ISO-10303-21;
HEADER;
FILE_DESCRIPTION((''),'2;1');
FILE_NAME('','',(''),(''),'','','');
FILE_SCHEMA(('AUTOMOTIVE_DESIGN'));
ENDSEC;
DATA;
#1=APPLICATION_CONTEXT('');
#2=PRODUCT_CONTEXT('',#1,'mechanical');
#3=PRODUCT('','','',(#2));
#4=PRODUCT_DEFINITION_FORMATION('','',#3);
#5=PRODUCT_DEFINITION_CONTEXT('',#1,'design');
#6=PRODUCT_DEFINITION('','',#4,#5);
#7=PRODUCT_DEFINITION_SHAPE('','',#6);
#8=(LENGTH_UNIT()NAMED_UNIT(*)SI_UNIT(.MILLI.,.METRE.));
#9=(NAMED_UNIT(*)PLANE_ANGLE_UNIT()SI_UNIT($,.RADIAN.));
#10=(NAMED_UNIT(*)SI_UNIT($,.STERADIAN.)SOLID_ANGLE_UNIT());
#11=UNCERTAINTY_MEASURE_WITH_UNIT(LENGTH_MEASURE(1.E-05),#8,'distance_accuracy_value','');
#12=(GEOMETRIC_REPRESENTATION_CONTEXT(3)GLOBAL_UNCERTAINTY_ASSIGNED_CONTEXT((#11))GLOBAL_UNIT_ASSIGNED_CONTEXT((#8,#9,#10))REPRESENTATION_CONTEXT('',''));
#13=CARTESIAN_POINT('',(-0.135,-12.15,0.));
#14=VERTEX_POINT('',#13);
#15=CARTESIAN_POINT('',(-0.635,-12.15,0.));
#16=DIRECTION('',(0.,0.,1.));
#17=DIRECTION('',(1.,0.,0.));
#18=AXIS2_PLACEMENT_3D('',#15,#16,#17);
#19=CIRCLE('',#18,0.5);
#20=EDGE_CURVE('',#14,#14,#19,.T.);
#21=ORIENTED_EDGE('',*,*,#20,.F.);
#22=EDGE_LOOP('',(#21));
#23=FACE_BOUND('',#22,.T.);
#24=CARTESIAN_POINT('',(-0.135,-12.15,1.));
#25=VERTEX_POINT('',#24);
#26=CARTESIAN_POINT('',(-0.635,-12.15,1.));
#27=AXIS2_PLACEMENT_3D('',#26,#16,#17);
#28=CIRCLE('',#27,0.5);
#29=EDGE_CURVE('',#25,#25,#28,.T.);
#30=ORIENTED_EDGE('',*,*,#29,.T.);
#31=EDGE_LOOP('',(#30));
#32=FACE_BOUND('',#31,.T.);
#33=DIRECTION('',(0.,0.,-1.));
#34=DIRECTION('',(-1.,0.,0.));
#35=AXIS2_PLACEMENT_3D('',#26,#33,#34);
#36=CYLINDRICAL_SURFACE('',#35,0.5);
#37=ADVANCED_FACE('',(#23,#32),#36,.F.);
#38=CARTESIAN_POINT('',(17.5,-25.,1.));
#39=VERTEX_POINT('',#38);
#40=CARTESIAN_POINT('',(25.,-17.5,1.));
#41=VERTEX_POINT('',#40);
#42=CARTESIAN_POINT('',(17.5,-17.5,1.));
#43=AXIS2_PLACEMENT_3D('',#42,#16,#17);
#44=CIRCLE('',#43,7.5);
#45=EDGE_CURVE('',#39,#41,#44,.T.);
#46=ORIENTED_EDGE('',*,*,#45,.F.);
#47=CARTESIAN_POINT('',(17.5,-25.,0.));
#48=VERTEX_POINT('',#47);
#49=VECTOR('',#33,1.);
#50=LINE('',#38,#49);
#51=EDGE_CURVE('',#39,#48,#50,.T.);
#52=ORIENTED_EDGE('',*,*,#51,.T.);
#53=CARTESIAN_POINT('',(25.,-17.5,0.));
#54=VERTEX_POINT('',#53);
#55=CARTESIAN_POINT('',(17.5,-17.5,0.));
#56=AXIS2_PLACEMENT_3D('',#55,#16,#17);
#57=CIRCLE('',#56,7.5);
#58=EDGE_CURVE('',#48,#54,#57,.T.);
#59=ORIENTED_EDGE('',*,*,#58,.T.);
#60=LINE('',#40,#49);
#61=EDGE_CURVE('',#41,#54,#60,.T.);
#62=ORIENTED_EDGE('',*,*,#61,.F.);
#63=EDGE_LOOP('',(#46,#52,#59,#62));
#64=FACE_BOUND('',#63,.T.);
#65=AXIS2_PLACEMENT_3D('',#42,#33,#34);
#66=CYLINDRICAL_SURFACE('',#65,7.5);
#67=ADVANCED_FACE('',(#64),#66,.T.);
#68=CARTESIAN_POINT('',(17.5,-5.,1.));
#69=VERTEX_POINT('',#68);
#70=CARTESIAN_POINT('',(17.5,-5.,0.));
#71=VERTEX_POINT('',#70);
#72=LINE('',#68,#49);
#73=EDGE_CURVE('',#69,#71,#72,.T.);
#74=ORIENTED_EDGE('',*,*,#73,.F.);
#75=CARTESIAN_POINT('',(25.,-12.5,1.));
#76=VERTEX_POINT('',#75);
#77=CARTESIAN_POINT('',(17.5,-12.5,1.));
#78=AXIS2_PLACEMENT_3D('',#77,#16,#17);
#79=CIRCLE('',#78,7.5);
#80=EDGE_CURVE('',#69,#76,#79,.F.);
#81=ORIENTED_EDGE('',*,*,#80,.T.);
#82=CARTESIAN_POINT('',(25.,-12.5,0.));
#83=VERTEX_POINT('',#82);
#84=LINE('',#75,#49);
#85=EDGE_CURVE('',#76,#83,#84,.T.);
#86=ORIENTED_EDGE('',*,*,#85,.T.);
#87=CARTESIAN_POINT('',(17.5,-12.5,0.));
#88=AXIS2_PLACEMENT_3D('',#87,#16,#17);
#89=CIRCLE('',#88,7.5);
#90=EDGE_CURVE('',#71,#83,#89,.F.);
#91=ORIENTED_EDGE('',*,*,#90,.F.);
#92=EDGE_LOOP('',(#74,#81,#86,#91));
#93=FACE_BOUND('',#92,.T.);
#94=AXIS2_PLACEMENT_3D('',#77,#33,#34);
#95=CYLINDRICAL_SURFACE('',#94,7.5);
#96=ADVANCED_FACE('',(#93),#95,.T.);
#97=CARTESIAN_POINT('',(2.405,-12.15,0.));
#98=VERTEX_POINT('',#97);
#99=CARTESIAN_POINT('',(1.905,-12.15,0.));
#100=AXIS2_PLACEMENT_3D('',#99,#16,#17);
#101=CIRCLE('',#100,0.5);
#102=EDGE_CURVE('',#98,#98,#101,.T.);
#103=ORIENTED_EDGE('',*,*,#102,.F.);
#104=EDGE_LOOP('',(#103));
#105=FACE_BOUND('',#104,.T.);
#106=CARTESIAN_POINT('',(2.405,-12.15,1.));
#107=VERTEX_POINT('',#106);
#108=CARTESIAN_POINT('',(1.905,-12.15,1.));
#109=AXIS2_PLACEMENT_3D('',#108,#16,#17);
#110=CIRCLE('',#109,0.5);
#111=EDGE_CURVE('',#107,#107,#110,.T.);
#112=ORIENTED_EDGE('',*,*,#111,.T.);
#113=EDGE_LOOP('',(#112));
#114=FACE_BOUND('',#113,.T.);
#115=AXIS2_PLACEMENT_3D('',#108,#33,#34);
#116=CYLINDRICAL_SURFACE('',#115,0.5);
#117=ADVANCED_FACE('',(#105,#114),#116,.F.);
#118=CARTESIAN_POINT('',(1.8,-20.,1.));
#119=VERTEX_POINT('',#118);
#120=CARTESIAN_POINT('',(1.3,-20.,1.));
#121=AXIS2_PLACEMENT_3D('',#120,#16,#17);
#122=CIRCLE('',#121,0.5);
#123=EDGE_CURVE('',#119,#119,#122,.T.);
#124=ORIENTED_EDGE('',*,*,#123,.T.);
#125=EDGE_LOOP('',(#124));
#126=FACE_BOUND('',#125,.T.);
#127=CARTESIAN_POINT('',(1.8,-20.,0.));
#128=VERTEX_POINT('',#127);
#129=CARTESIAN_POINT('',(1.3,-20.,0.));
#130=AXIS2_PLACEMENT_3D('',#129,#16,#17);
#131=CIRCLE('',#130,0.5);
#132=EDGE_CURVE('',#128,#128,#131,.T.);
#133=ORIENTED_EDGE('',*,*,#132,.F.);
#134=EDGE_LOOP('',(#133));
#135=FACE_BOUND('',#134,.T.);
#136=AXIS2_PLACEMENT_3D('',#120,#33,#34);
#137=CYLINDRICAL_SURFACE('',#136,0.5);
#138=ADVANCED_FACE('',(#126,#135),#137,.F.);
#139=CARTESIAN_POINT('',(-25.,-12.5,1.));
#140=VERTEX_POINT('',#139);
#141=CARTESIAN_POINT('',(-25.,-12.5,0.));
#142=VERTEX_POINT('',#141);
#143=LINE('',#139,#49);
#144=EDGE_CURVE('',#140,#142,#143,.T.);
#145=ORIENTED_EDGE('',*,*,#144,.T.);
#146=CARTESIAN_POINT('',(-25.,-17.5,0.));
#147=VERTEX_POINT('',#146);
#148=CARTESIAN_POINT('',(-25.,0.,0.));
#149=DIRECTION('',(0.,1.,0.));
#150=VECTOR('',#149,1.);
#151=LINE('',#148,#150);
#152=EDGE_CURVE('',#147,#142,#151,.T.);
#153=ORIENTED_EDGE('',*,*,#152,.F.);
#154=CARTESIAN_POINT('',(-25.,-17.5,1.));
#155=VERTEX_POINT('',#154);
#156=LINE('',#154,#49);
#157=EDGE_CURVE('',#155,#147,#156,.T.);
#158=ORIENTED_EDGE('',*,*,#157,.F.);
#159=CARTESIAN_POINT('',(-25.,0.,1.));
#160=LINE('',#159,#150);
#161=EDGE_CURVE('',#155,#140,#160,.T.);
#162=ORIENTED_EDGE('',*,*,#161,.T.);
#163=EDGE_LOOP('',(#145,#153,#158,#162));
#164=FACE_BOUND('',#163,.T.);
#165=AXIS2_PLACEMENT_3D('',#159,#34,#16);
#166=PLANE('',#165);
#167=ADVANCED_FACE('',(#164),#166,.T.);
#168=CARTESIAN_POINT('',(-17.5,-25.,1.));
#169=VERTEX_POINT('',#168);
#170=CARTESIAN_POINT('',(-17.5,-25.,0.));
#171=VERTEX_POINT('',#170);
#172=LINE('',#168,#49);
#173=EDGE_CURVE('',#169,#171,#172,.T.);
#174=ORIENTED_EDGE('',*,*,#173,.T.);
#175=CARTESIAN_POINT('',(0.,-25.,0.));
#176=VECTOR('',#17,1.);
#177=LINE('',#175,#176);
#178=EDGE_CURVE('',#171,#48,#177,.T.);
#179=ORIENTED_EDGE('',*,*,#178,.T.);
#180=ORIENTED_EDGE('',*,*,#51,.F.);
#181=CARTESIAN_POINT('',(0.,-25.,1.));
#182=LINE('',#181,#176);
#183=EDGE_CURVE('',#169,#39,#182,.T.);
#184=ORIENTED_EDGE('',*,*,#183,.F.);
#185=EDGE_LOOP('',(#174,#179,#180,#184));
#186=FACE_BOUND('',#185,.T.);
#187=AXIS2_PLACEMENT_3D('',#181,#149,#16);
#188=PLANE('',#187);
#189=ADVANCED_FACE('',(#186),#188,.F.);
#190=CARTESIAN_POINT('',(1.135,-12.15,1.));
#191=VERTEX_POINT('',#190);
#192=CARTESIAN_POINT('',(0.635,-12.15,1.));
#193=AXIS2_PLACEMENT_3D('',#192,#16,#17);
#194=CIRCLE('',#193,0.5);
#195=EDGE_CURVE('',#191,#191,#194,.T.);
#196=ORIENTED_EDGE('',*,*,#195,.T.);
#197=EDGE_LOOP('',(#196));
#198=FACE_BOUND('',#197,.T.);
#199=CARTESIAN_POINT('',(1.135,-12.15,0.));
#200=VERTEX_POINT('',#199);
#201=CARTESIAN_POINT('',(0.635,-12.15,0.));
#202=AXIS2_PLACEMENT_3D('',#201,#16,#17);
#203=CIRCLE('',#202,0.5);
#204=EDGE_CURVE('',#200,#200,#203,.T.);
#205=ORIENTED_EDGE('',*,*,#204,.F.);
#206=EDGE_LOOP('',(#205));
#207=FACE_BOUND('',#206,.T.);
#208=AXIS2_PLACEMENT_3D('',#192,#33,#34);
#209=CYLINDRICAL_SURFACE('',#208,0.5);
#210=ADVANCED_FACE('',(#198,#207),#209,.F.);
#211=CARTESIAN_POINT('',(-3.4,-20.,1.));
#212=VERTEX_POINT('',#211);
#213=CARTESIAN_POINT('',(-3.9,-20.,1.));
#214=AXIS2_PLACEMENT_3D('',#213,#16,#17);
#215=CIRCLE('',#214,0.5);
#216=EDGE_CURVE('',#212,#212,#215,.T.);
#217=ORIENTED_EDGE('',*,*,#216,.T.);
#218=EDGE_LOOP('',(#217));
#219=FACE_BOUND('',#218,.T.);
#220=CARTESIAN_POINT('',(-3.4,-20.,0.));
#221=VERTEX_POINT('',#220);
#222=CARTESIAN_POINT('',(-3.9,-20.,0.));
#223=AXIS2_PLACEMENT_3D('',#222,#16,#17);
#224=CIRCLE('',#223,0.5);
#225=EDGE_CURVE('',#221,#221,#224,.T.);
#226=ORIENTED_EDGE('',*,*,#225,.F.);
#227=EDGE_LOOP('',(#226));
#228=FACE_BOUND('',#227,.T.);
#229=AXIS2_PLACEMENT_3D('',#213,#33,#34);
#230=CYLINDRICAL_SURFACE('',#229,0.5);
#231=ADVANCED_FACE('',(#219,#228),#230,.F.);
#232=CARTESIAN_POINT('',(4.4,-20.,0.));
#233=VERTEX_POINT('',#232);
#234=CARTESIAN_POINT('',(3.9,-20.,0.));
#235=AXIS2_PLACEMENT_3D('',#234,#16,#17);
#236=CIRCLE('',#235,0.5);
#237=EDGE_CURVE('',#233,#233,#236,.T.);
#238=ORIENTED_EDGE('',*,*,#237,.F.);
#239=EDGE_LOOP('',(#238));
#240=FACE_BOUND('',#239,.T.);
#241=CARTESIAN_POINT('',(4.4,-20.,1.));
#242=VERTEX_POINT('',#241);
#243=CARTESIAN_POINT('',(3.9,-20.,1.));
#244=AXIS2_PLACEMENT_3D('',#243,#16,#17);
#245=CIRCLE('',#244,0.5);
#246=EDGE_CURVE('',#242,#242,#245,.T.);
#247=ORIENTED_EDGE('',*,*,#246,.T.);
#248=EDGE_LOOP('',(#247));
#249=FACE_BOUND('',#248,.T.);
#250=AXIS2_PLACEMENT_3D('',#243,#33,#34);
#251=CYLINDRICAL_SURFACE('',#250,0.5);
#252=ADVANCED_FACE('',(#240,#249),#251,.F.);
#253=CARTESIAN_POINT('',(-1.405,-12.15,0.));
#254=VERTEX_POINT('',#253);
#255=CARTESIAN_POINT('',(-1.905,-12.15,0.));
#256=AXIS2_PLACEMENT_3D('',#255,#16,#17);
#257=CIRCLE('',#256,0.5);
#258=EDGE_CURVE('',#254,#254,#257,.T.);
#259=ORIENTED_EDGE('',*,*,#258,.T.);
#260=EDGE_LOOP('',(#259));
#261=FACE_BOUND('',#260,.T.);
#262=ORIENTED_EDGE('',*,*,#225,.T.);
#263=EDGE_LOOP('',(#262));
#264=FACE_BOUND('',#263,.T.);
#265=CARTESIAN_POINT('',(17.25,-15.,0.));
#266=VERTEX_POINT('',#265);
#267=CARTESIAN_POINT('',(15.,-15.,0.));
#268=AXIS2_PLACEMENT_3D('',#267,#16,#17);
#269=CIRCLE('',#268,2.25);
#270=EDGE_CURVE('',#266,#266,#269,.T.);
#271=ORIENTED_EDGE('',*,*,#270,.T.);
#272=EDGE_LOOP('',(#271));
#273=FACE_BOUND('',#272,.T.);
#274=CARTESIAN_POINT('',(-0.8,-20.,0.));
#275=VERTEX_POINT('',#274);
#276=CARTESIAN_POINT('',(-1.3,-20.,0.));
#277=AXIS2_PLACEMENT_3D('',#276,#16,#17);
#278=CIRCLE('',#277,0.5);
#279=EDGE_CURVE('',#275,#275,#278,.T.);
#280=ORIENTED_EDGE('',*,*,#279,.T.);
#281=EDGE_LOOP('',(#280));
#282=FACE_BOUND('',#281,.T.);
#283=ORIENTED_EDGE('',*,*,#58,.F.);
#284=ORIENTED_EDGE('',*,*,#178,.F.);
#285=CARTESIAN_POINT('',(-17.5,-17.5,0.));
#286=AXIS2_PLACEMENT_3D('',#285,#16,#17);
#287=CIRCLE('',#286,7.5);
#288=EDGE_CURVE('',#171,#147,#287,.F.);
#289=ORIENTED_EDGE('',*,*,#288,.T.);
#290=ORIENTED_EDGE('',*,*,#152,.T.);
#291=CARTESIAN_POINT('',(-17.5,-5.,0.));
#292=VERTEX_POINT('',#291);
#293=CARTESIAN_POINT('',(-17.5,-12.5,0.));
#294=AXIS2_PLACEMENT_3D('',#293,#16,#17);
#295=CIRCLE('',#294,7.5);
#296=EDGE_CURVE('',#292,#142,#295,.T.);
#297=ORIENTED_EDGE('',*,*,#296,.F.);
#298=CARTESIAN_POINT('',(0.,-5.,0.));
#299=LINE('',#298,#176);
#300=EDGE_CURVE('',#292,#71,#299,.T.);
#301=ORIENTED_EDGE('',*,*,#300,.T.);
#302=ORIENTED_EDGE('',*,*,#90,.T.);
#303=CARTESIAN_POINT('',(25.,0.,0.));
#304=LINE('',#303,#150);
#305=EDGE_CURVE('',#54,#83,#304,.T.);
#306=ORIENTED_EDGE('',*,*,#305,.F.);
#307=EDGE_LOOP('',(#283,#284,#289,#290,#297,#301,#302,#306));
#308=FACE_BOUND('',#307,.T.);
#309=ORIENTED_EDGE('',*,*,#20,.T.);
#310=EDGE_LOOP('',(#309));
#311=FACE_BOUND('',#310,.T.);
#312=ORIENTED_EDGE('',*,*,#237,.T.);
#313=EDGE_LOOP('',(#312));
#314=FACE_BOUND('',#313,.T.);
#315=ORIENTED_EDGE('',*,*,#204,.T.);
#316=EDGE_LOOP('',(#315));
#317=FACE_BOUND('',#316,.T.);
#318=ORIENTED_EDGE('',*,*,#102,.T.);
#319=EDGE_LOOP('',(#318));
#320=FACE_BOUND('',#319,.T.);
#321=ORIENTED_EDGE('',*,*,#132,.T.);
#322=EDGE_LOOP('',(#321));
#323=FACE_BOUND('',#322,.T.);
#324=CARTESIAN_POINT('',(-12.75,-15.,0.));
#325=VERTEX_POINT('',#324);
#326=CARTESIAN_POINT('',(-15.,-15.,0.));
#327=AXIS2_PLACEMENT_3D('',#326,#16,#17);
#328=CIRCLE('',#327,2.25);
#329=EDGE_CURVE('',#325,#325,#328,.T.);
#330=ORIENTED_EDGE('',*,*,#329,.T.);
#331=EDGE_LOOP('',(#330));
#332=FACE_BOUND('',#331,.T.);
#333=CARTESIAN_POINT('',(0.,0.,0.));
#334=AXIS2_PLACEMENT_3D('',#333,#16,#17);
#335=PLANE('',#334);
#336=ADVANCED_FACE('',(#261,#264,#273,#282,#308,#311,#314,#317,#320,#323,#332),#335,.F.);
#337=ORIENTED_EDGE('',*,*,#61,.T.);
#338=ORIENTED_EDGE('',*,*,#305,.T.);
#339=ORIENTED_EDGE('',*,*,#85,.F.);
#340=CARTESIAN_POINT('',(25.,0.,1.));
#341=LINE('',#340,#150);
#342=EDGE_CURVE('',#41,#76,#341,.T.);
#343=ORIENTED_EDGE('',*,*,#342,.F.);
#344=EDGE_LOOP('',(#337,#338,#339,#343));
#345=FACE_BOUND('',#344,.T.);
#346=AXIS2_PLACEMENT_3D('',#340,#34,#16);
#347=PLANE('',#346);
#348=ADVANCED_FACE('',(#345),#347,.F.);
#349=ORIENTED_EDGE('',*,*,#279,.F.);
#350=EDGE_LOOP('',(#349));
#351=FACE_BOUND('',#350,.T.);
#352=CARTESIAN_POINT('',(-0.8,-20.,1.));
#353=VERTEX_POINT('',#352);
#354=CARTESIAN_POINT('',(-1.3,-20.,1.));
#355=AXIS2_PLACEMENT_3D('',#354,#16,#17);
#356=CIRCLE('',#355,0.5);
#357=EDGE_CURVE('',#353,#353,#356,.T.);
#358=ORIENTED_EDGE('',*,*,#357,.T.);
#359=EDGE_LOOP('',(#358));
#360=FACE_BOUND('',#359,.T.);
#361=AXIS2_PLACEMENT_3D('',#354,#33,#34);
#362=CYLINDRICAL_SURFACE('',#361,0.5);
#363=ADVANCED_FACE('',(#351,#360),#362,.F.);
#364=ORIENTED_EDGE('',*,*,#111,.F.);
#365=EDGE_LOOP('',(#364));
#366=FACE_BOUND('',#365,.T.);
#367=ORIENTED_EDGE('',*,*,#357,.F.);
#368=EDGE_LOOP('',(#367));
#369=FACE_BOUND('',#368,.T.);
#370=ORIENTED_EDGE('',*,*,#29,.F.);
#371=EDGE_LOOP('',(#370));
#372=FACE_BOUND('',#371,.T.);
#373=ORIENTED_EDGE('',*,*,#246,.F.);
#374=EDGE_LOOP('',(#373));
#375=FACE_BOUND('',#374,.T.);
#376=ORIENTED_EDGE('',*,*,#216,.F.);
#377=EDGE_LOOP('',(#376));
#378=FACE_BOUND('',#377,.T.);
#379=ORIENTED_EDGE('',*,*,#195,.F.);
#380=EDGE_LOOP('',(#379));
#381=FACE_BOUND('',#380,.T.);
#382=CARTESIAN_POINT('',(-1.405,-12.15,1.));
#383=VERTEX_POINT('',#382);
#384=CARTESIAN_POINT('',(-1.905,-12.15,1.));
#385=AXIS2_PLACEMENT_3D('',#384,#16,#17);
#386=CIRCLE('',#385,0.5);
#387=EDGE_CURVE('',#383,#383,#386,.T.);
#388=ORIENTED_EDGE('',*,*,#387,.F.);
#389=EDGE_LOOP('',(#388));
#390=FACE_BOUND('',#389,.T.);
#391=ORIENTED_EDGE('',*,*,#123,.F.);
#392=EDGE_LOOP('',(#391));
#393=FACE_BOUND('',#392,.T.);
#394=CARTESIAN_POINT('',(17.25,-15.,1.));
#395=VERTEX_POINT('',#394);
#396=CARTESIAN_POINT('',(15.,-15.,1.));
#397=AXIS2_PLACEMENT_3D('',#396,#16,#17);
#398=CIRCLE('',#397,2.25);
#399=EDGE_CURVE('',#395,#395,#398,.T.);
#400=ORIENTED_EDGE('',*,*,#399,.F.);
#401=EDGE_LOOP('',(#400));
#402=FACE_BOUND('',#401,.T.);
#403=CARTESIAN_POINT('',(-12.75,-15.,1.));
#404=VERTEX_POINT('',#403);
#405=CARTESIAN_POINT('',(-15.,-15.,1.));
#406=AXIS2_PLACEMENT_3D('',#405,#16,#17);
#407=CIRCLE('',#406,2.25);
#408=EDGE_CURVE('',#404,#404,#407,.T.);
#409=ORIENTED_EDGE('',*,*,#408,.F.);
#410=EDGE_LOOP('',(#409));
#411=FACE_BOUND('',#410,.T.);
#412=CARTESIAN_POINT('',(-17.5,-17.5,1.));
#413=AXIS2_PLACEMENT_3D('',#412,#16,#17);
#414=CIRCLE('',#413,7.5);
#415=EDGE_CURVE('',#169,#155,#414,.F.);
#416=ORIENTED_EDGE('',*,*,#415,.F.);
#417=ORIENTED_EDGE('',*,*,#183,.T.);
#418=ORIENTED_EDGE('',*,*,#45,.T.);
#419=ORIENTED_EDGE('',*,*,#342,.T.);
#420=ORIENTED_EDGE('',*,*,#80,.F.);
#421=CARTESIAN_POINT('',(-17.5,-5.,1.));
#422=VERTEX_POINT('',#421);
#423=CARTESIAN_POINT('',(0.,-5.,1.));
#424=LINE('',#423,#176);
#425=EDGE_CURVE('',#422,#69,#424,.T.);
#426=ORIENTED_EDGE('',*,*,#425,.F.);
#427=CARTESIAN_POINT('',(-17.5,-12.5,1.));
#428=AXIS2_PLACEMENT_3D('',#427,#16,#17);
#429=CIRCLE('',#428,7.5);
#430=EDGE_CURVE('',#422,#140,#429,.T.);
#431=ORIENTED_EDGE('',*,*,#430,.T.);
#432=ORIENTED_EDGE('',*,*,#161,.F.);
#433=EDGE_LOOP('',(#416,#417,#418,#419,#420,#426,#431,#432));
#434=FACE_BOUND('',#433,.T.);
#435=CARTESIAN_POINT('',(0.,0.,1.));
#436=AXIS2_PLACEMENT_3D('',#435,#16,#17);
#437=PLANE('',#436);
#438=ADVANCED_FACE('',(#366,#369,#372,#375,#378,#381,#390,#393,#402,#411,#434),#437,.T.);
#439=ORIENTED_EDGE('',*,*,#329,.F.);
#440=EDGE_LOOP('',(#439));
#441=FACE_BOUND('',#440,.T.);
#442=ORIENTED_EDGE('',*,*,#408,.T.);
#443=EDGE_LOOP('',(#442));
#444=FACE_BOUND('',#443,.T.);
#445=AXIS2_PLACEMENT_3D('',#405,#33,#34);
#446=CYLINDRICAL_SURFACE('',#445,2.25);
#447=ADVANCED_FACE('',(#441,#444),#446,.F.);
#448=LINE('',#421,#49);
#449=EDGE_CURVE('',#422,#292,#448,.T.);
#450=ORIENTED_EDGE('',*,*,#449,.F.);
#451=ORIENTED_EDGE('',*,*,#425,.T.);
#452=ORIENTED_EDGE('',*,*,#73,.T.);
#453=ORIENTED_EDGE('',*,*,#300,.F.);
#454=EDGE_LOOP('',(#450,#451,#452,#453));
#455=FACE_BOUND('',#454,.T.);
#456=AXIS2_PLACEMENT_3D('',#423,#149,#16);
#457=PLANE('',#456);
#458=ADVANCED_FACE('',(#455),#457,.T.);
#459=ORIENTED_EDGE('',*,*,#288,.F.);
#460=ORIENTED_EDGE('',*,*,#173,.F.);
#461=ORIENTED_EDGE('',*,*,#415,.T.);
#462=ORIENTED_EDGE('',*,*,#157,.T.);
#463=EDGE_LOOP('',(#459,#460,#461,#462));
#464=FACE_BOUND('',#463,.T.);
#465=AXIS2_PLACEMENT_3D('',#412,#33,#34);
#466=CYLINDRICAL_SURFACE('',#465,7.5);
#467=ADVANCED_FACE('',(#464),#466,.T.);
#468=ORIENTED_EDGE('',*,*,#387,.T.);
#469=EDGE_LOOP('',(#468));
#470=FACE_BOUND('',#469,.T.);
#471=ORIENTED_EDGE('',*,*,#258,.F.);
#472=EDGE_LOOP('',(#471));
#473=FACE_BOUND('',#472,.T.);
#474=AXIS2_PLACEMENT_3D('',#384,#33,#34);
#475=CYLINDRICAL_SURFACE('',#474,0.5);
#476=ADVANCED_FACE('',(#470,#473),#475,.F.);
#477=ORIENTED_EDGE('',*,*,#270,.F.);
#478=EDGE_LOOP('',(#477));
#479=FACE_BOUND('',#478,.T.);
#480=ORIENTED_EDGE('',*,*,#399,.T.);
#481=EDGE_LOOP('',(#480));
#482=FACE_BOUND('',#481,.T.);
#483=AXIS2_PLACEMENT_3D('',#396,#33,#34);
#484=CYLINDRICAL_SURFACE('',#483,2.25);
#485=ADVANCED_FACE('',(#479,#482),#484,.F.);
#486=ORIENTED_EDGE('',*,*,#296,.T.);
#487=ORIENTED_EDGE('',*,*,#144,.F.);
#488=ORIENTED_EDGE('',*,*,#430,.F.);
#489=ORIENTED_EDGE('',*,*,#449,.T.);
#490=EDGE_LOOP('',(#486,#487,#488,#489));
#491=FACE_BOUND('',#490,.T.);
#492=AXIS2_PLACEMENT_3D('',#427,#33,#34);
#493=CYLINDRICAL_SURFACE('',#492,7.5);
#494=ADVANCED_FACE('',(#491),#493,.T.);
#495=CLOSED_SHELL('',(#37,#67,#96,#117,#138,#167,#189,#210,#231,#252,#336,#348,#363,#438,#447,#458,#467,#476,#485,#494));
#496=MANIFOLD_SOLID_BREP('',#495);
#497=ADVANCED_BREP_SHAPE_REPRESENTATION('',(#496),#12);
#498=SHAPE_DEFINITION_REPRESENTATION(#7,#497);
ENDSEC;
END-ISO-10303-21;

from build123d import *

# Parameters (mm, degrees)
SKETCH1_R           = 2.25
SKETCH1_R_2         = 0.5
BOSS_EXTRUDE1_DEPTH = 1


with BuildPart() as part:
    # Sketch1 → Boss-Extrude1 (new body)
    with BuildSketch(Plane.XY):
        with BuildLine():
            Line((-17.5, -5), (17.5, -5))
            ThreePointArc((17.5, -5), (22.803300859, -7.196699141), (25, -12.5))
            Line((25, -12.5), (25, -17.5))
            ThreePointArc((25, -17.5), (22.803300859, -22.803300859), (17.5, -25))
            Line((17.5, -25), (-17.5, -25))
            ThreePointArc((-17.5, -25), (-22.803300859, -22.803300859), (-25, -17.5))
            Line((-25, -17.5), (-25, -12.5))
            ThreePointArc((-25, -12.5), (-22.803300859, -7.196699141), (-17.5, -5))
        make_face()
        with Locations((15, -15)):
            Circle(SKETCH1_R, mode=Mode.SUBTRACT)
        with Locations((-15, -15)):
            Circle(SKETCH1_R, mode=Mode.SUBTRACT)
        with Locations((-1.905, -12.15)):
            Circle(SKETCH1_R_2, mode=Mode.SUBTRACT)
        with Locations((1.905, -12.15)):
            Circle(SKETCH1_R_2, mode=Mode.SUBTRACT)
        with Locations((-0.635, -12.15)):
            Circle(SKETCH1_R_2, mode=Mode.SUBTRACT)
        with Locations((0.635, -12.15)):
            Circle(SKETCH1_R_2, mode=Mode.SUBTRACT)
        with Locations((-3.9, -20)):
            Circle(SKETCH1_R_2, mode=Mode.SUBTRACT)
        with Locations((-1.3, -20)):
            Circle(SKETCH1_R_2, mode=Mode.SUBTRACT)
        with Locations((1.3, -20)):
            Circle(SKETCH1_R_2, mode=Mode.SUBTRACT)
        with Locations((3.9, -20)):
            Circle(SKETCH1_R_2, mode=Mode.SUBTRACT)
    extrude(amount=BOSS_EXTRUDE1_DEPTH)


solid = part.part
